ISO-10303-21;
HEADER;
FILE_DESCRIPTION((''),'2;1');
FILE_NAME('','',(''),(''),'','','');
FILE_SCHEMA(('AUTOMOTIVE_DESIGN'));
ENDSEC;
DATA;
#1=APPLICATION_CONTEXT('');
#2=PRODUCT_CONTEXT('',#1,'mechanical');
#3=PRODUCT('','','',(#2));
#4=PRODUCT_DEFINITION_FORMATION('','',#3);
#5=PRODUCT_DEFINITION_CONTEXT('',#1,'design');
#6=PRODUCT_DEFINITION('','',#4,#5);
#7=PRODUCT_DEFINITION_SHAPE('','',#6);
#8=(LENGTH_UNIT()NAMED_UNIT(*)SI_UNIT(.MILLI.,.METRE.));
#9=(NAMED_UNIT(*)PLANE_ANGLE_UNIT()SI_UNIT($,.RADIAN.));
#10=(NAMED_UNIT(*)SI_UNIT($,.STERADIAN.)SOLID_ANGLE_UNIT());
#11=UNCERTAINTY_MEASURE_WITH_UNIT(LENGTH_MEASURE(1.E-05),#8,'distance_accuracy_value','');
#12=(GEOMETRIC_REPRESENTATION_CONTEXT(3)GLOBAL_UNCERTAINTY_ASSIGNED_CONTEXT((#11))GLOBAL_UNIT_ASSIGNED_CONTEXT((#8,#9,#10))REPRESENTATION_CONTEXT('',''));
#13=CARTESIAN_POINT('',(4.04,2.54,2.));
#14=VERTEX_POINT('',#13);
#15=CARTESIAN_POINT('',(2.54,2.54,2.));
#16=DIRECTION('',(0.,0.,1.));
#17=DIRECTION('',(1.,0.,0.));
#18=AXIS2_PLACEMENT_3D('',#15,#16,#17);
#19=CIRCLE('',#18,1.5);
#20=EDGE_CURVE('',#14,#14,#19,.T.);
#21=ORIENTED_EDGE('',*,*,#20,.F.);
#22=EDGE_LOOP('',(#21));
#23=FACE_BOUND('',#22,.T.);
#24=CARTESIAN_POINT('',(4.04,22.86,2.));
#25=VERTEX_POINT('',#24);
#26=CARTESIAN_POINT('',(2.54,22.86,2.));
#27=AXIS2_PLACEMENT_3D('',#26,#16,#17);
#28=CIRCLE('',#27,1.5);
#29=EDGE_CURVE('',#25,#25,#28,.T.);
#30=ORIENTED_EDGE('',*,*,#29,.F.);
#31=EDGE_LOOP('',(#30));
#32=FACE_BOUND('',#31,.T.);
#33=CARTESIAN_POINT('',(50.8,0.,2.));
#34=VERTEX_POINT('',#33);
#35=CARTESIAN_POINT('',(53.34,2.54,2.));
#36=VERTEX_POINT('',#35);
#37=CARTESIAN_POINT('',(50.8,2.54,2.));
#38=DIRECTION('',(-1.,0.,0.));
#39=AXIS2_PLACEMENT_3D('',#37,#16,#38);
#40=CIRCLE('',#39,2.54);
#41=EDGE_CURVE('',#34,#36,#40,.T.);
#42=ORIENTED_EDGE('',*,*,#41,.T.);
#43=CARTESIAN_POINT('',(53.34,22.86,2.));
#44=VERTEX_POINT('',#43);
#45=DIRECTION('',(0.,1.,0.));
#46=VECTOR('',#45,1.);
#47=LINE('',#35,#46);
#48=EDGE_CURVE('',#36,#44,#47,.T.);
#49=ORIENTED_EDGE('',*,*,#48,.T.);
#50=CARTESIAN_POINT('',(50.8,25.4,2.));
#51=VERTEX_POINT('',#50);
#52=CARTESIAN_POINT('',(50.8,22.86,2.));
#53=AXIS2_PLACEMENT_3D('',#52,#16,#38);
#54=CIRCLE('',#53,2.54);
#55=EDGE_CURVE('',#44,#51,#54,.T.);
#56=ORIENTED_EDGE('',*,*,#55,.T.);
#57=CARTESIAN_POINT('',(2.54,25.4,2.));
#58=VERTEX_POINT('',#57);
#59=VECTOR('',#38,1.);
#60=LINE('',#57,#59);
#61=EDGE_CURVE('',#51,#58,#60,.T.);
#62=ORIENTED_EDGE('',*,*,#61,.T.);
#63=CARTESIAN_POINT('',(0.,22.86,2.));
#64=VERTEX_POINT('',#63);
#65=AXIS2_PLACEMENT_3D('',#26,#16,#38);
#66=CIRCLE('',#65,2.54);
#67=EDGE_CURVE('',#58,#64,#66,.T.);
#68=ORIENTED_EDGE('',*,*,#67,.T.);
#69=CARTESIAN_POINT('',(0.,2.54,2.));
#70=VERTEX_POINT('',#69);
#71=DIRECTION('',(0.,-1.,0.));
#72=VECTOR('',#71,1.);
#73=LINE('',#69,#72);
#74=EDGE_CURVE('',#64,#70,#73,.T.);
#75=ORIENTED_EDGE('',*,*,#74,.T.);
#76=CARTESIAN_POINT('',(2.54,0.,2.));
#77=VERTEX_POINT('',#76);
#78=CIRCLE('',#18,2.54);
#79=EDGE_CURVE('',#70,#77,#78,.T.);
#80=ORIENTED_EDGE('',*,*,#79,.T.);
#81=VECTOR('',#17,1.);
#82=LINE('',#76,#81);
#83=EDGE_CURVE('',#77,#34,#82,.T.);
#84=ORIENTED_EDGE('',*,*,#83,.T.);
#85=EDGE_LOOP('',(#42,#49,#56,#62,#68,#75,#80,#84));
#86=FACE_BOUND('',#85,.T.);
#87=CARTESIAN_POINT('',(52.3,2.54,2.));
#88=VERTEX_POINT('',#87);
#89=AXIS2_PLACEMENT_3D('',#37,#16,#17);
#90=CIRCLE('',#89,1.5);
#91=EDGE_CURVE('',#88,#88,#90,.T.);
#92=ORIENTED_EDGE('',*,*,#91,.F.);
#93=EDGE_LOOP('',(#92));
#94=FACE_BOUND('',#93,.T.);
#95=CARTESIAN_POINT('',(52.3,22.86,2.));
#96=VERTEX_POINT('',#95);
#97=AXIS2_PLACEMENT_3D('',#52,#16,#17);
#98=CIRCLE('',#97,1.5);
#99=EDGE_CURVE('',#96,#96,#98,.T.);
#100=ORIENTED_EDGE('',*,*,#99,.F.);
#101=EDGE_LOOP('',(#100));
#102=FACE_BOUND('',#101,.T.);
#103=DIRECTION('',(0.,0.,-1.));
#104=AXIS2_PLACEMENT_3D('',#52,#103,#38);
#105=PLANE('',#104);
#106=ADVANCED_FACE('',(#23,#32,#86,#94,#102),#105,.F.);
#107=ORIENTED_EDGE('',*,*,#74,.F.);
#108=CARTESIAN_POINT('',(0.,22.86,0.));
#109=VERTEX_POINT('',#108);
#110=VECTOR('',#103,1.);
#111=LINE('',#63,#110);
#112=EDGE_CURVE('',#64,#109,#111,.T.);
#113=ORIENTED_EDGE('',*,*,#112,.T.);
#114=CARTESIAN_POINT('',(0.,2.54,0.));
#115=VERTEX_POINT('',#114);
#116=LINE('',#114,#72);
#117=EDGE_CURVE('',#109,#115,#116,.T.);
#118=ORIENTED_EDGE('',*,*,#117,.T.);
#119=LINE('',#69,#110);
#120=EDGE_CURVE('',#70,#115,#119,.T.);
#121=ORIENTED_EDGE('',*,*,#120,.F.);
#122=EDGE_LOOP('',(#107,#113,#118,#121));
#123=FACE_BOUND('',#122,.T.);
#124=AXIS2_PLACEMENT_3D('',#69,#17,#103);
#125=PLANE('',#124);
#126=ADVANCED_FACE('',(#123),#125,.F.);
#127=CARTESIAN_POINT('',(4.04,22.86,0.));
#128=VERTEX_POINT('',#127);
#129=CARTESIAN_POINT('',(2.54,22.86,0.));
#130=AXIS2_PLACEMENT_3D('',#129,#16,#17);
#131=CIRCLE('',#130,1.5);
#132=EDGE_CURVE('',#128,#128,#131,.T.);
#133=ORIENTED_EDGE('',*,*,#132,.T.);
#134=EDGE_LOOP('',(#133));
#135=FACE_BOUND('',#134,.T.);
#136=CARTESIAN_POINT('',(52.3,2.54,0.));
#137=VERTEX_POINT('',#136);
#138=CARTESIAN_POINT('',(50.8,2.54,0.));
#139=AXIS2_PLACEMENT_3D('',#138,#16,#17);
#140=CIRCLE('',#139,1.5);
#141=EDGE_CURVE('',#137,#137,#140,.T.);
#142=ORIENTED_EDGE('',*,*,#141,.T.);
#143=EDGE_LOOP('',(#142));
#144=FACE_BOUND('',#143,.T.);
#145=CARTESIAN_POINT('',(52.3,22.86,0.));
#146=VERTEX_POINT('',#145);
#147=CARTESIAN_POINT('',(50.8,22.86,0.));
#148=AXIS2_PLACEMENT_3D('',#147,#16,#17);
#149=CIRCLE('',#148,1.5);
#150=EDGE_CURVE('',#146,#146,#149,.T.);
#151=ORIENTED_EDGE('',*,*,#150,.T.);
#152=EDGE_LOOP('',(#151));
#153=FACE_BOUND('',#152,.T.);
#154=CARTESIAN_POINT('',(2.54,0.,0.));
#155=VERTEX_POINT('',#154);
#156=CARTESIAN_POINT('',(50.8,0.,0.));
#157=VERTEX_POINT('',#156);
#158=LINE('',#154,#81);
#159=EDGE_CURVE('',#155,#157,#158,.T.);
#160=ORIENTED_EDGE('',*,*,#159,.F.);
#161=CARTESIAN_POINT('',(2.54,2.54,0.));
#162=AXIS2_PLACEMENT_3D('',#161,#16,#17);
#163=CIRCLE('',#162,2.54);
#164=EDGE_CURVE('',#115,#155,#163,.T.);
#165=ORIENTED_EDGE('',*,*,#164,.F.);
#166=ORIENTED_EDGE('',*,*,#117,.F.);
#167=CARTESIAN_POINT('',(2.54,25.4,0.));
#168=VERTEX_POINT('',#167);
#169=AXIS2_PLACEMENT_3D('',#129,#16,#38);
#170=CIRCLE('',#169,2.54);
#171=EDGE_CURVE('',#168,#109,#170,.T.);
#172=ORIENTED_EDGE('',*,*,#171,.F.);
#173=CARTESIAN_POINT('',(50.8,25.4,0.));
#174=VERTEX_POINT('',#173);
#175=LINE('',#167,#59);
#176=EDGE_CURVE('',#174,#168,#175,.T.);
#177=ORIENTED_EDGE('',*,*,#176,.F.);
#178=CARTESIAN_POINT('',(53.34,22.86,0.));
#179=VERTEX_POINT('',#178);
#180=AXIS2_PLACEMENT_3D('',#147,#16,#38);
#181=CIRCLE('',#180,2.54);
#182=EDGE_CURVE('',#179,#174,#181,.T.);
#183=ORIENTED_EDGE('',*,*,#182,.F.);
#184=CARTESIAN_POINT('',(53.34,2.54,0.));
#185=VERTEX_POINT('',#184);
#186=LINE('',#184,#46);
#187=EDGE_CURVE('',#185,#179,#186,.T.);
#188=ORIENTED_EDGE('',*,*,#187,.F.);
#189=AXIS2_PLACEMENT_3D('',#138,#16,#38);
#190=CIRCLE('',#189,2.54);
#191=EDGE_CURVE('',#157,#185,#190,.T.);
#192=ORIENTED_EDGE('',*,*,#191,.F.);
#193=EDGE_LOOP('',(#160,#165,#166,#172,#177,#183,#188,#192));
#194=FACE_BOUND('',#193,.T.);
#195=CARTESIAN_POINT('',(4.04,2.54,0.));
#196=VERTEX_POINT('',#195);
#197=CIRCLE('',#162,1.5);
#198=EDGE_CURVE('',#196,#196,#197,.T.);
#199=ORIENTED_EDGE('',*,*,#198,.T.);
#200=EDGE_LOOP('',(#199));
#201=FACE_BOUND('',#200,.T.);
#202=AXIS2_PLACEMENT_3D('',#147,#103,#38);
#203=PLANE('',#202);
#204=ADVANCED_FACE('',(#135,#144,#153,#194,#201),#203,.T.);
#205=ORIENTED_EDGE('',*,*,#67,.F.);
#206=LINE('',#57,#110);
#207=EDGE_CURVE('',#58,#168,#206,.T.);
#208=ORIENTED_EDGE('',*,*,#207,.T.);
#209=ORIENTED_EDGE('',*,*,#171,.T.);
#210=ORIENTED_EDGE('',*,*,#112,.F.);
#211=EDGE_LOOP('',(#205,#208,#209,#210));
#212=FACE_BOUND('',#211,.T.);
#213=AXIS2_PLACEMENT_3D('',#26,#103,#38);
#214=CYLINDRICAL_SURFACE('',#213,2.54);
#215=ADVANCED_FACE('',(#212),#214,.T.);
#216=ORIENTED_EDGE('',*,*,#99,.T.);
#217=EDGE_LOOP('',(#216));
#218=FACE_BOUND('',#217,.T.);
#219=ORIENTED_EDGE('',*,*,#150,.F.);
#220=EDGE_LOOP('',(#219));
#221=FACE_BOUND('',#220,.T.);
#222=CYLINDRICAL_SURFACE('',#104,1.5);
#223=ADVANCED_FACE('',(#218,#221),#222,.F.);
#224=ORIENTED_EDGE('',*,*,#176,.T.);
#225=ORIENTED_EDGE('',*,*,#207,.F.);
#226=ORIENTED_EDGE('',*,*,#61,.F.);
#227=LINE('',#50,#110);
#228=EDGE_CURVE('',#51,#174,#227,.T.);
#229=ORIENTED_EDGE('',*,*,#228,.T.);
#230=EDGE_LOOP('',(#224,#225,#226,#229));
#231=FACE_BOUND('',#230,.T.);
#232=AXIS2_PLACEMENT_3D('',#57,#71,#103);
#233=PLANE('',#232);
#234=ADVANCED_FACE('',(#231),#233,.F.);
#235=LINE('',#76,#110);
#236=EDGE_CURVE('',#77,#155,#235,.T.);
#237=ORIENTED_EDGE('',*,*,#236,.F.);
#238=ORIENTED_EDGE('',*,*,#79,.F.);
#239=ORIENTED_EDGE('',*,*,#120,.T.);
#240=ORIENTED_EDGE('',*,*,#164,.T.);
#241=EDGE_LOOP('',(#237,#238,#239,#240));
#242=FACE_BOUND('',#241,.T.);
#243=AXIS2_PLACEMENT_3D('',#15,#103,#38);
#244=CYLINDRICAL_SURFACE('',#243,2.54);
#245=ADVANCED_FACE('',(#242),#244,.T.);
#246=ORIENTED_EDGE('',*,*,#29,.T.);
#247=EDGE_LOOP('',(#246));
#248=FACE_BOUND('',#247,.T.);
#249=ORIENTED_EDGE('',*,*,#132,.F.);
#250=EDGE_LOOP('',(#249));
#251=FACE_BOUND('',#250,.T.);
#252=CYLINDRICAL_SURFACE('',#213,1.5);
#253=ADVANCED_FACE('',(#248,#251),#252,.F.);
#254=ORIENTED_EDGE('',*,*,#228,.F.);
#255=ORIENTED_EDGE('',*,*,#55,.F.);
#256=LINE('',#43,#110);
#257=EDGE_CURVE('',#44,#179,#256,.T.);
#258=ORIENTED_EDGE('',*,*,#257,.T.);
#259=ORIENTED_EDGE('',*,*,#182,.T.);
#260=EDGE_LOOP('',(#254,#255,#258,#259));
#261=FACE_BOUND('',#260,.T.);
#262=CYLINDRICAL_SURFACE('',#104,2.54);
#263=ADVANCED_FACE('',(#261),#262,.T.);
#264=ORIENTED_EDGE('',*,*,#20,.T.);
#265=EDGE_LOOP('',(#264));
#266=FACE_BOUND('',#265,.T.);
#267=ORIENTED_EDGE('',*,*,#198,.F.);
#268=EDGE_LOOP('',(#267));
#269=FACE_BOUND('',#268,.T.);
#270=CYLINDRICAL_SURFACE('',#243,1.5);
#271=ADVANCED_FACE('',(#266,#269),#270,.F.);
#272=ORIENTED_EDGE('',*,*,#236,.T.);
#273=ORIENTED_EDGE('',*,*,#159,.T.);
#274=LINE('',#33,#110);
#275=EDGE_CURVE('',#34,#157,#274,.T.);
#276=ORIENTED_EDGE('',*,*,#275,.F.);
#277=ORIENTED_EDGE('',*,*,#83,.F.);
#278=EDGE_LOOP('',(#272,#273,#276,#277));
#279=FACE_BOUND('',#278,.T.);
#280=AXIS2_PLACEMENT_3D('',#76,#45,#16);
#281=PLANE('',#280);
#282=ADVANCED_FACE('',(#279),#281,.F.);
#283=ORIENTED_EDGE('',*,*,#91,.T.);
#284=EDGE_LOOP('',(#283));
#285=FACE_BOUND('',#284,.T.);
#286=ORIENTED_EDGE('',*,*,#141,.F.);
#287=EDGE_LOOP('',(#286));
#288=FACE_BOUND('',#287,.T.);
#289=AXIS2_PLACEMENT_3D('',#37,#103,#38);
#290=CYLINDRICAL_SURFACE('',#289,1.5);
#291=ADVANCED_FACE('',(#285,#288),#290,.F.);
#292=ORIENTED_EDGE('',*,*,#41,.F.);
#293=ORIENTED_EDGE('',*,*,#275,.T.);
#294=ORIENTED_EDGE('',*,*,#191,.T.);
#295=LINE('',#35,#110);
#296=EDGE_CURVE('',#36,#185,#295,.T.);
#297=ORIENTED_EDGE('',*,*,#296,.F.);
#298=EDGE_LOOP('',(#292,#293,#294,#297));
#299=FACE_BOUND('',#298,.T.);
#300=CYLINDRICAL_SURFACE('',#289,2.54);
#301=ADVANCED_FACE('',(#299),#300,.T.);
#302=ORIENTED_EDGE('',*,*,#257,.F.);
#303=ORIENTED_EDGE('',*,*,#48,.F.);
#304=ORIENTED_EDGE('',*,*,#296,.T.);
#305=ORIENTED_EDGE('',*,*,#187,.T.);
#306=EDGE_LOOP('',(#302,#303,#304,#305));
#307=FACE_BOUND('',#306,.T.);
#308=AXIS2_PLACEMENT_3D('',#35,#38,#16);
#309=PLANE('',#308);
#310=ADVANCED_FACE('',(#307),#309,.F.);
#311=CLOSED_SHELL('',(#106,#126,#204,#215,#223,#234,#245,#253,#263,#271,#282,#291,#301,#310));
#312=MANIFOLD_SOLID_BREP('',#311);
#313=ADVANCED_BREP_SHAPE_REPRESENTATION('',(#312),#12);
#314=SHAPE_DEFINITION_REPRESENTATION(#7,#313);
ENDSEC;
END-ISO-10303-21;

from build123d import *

# Parameters (mm, degrees)
CROQUIS1_R              = 1.5
SALIENTE_EXTRUIR1_DEPTH = 2


with BuildPart() as part:
    # Croquis1 → Saliente-Extruir1 (new body)
    with BuildSketch(Plane.XY):
        with BuildLine():
            Line((2.54, 0), (50.8, 0))
            ThreePointArc((50.8, 0), (52.596051224, 0.743948776), (53.34, 2.54))
            Line((53.34, 2.54), (53.34, 22.86))
            ThreePointArc((53.34, 22.86), (52.596051224, 24.656051224), (50.8, 25.4))
            Line((50.8, 25.4), (2.54, 25.4))
            ThreePointArc((2.54, 25.4), (0.743948776, 24.656051224), (0, 22.86))
            Line((0, 22.86), (0, 2.54))
            ThreePointArc((0, 2.54), (0.743948776, 0.743948776), (2.54, 0))
        make_face()
        with Locations((2.54, 22.86)):
            Circle(CROQUIS1_R, mode=Mode.SUBTRACT)
        with Locations((50.8, 22.86)):
            Circle(CROQUIS1_R, mode=Mode.SUBTRACT)
        with Locations((50.8, 2.54)):
            Circle(CROQUIS1_R, mode=Mode.SUBTRACT)
        with Locations((2.54, 2.54)):
            Circle(CROQUIS1_R, mode=Mode.SUBTRACT)
    extrude(amount=SALIENTE_EXTRUIR1_DEPTH)


solid = part.part
